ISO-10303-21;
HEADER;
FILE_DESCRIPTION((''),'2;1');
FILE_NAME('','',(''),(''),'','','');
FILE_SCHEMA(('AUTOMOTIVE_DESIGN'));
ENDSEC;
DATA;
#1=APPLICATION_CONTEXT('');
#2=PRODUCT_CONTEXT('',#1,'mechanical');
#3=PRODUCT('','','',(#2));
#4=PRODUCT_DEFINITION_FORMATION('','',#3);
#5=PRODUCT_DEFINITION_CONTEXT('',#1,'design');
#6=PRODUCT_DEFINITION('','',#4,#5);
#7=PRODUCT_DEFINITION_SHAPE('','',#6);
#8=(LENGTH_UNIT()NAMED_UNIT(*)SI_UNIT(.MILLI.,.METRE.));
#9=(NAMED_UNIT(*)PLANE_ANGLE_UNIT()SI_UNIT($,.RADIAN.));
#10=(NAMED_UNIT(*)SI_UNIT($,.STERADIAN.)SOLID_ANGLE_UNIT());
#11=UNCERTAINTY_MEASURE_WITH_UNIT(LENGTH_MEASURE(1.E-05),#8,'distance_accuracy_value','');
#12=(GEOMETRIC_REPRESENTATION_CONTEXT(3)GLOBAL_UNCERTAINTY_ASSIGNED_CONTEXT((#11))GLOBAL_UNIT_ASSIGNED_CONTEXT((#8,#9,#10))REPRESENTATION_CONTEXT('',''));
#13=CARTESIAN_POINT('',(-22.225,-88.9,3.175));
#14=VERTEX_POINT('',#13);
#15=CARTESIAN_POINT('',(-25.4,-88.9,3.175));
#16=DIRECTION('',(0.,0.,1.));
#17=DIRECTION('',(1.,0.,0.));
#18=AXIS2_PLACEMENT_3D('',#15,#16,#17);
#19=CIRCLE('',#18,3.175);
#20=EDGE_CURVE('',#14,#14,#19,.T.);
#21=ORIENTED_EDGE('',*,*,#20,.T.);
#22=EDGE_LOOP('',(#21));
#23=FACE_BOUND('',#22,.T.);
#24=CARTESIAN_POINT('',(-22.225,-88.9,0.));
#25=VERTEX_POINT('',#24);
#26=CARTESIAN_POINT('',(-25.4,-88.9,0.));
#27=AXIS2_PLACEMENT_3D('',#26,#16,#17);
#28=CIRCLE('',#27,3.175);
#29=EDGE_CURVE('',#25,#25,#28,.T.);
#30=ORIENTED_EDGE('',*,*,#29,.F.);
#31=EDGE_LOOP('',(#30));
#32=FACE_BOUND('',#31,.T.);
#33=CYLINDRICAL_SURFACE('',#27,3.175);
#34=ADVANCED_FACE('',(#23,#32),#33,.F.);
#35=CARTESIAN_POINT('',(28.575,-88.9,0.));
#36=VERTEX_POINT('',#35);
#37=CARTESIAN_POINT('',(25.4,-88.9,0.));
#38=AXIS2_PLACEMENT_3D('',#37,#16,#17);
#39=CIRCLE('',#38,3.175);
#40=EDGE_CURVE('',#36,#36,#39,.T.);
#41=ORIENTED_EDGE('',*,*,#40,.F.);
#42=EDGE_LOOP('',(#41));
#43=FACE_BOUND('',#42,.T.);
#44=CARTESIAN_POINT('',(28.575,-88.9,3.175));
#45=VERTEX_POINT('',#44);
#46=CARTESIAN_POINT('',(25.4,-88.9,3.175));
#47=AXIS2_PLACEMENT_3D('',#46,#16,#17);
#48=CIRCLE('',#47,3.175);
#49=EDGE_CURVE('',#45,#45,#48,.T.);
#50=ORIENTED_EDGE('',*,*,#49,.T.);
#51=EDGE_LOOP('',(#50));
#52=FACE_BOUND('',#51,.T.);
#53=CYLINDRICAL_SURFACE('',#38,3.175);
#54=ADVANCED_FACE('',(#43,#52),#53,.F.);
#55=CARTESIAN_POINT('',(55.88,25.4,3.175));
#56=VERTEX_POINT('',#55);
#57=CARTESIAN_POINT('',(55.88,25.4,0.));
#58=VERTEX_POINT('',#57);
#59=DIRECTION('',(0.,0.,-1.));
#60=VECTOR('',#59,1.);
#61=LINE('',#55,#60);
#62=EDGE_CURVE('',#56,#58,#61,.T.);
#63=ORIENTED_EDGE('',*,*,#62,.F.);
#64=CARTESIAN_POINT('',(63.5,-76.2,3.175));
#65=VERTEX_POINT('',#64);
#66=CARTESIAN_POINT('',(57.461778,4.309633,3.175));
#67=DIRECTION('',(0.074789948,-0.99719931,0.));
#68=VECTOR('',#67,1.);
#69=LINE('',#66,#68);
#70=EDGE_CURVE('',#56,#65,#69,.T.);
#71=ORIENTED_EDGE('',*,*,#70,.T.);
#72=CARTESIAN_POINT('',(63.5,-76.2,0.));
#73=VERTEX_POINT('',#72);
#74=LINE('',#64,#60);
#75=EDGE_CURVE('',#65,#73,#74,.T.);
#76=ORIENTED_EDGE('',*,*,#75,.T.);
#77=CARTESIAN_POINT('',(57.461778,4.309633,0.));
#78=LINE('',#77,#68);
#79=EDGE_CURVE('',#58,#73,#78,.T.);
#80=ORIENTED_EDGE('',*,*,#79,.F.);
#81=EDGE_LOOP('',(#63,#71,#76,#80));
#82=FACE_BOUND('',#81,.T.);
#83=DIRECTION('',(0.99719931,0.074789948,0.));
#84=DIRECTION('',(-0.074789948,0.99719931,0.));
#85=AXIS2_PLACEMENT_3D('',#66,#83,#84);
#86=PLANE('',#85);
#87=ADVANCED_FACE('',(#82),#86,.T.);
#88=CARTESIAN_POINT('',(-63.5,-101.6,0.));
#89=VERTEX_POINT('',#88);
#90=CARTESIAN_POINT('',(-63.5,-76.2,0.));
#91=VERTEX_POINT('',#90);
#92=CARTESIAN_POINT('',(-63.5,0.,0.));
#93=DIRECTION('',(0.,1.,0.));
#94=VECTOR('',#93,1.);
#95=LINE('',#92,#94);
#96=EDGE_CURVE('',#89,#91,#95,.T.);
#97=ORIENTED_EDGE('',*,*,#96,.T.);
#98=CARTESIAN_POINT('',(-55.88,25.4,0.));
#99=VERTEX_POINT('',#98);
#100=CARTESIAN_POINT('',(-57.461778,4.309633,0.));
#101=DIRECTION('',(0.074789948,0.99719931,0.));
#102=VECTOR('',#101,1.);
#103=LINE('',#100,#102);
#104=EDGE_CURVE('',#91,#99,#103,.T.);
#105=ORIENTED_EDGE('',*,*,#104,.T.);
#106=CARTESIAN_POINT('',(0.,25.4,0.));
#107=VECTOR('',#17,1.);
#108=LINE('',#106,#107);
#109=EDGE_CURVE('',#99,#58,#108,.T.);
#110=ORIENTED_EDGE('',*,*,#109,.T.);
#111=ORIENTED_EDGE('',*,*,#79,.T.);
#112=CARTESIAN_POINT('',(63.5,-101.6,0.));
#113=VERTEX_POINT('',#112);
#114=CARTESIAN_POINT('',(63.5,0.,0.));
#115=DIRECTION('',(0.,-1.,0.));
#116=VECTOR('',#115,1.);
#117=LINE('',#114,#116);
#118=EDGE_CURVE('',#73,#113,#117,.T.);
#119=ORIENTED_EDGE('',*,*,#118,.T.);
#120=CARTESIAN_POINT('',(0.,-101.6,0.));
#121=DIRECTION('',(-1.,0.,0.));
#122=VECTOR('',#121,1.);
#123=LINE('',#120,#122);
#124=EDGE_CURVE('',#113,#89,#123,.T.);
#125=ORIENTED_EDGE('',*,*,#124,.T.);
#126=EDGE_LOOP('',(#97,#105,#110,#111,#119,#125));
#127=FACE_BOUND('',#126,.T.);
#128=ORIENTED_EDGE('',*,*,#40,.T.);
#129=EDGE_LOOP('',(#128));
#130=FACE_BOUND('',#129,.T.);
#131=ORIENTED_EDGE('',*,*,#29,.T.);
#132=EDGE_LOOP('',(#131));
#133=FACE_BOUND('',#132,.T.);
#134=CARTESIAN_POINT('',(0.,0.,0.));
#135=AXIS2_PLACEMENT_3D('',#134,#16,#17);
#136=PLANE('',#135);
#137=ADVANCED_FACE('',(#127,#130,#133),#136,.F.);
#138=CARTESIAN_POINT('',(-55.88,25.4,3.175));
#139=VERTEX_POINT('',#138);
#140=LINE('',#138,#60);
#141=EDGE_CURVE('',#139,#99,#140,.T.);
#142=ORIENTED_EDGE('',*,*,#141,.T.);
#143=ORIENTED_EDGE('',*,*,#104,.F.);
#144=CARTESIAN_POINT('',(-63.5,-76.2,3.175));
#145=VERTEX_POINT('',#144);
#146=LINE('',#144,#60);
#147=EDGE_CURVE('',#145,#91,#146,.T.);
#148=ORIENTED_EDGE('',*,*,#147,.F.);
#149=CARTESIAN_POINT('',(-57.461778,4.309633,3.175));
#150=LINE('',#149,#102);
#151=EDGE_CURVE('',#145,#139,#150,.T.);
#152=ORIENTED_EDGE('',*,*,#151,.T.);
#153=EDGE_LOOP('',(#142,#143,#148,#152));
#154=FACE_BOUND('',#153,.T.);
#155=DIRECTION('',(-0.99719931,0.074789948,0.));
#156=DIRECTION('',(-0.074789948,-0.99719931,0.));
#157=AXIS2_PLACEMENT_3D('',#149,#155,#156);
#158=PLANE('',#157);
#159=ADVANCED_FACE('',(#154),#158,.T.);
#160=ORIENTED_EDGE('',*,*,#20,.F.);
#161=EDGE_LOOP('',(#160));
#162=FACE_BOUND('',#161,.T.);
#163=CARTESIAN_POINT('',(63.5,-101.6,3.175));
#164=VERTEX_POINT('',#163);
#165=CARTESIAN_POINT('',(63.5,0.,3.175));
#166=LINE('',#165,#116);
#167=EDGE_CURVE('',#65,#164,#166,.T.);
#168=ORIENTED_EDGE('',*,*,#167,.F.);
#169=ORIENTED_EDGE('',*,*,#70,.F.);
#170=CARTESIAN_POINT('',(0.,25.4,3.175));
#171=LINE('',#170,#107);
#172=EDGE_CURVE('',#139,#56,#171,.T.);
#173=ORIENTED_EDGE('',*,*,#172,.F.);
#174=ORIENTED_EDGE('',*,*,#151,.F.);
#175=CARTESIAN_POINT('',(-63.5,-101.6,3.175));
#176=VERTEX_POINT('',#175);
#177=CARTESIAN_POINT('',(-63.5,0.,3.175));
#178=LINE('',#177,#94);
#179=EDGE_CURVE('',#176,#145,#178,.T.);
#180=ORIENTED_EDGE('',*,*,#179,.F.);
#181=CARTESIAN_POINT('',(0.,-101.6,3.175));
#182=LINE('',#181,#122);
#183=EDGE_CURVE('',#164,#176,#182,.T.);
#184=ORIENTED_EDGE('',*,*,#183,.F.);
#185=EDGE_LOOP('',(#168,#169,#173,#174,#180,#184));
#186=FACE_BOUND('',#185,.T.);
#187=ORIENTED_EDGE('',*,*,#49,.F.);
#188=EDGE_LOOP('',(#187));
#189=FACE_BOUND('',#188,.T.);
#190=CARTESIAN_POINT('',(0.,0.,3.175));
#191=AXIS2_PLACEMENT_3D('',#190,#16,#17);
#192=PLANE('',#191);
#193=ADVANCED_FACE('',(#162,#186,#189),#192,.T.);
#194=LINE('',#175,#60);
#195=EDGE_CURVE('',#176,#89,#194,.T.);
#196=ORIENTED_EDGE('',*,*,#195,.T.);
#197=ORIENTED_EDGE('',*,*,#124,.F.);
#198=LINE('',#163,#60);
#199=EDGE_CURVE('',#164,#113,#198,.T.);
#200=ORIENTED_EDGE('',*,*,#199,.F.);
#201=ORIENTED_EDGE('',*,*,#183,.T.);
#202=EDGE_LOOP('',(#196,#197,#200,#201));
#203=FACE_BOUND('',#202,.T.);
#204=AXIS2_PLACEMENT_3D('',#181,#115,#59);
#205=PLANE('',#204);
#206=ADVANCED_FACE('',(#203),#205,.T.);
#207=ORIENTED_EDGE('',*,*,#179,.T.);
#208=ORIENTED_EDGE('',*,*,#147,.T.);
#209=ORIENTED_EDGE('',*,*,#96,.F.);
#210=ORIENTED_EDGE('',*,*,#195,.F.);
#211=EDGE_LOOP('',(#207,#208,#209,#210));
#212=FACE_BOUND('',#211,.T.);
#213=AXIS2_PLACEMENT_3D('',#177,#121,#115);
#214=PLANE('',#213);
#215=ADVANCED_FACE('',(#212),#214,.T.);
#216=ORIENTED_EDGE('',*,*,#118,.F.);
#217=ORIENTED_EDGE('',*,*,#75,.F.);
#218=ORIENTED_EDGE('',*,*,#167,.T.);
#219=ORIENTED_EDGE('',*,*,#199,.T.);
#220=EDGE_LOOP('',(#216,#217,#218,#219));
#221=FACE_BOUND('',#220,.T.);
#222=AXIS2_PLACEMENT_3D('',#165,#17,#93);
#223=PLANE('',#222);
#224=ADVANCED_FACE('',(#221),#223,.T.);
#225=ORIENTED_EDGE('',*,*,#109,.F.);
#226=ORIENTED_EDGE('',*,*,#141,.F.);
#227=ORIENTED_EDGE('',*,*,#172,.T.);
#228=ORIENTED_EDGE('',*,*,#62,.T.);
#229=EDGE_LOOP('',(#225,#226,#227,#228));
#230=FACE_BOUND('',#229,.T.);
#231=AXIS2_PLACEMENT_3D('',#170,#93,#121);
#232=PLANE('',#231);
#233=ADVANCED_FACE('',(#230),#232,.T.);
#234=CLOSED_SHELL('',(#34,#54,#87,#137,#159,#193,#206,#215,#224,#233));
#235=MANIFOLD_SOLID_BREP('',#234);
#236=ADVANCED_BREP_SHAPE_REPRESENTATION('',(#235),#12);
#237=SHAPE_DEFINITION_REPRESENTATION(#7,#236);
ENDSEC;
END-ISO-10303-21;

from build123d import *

# Parameters (mm, degrees)
SKETCH1_W           = 127
SKETCH1_H           = 25.4
BOSS_EXTRUDE1_DEPTH = 3.175
SKETCH2_R           = 3.175
CUT_EXTRUDE1_DEPTH  = 3.175


with BuildPart() as part:
    # Sketch1 → Boss-Extrude1 (new body)
    with BuildSketch(Plane.XY):
        Polygon((55.88, 25.4), (63.5, -76.2), (-63.5, -76.2), (-55.88, 25.4), align=None)
        with Locations((0, -88.9)):
            Rectangle(SKETCH1_W, SKETCH1_H)
    extrude(amount=BOSS_EXTRUDE1_DEPTH)

    # Sketch2 → Cut-Extrude1 (cut)
    with BuildSketch(Plane.XY.offset(3.175)):
        with Locations((-25.4, -88.9)):
            Circle(SKETCH2_R)
        with Locations((25.4, -88.9)):
            Circle(SKETCH2_R)
    extrude(amount=-CUT_EXTRUDE1_DEPTH, mode=Mode.SUBTRACT)


solid = part.part
